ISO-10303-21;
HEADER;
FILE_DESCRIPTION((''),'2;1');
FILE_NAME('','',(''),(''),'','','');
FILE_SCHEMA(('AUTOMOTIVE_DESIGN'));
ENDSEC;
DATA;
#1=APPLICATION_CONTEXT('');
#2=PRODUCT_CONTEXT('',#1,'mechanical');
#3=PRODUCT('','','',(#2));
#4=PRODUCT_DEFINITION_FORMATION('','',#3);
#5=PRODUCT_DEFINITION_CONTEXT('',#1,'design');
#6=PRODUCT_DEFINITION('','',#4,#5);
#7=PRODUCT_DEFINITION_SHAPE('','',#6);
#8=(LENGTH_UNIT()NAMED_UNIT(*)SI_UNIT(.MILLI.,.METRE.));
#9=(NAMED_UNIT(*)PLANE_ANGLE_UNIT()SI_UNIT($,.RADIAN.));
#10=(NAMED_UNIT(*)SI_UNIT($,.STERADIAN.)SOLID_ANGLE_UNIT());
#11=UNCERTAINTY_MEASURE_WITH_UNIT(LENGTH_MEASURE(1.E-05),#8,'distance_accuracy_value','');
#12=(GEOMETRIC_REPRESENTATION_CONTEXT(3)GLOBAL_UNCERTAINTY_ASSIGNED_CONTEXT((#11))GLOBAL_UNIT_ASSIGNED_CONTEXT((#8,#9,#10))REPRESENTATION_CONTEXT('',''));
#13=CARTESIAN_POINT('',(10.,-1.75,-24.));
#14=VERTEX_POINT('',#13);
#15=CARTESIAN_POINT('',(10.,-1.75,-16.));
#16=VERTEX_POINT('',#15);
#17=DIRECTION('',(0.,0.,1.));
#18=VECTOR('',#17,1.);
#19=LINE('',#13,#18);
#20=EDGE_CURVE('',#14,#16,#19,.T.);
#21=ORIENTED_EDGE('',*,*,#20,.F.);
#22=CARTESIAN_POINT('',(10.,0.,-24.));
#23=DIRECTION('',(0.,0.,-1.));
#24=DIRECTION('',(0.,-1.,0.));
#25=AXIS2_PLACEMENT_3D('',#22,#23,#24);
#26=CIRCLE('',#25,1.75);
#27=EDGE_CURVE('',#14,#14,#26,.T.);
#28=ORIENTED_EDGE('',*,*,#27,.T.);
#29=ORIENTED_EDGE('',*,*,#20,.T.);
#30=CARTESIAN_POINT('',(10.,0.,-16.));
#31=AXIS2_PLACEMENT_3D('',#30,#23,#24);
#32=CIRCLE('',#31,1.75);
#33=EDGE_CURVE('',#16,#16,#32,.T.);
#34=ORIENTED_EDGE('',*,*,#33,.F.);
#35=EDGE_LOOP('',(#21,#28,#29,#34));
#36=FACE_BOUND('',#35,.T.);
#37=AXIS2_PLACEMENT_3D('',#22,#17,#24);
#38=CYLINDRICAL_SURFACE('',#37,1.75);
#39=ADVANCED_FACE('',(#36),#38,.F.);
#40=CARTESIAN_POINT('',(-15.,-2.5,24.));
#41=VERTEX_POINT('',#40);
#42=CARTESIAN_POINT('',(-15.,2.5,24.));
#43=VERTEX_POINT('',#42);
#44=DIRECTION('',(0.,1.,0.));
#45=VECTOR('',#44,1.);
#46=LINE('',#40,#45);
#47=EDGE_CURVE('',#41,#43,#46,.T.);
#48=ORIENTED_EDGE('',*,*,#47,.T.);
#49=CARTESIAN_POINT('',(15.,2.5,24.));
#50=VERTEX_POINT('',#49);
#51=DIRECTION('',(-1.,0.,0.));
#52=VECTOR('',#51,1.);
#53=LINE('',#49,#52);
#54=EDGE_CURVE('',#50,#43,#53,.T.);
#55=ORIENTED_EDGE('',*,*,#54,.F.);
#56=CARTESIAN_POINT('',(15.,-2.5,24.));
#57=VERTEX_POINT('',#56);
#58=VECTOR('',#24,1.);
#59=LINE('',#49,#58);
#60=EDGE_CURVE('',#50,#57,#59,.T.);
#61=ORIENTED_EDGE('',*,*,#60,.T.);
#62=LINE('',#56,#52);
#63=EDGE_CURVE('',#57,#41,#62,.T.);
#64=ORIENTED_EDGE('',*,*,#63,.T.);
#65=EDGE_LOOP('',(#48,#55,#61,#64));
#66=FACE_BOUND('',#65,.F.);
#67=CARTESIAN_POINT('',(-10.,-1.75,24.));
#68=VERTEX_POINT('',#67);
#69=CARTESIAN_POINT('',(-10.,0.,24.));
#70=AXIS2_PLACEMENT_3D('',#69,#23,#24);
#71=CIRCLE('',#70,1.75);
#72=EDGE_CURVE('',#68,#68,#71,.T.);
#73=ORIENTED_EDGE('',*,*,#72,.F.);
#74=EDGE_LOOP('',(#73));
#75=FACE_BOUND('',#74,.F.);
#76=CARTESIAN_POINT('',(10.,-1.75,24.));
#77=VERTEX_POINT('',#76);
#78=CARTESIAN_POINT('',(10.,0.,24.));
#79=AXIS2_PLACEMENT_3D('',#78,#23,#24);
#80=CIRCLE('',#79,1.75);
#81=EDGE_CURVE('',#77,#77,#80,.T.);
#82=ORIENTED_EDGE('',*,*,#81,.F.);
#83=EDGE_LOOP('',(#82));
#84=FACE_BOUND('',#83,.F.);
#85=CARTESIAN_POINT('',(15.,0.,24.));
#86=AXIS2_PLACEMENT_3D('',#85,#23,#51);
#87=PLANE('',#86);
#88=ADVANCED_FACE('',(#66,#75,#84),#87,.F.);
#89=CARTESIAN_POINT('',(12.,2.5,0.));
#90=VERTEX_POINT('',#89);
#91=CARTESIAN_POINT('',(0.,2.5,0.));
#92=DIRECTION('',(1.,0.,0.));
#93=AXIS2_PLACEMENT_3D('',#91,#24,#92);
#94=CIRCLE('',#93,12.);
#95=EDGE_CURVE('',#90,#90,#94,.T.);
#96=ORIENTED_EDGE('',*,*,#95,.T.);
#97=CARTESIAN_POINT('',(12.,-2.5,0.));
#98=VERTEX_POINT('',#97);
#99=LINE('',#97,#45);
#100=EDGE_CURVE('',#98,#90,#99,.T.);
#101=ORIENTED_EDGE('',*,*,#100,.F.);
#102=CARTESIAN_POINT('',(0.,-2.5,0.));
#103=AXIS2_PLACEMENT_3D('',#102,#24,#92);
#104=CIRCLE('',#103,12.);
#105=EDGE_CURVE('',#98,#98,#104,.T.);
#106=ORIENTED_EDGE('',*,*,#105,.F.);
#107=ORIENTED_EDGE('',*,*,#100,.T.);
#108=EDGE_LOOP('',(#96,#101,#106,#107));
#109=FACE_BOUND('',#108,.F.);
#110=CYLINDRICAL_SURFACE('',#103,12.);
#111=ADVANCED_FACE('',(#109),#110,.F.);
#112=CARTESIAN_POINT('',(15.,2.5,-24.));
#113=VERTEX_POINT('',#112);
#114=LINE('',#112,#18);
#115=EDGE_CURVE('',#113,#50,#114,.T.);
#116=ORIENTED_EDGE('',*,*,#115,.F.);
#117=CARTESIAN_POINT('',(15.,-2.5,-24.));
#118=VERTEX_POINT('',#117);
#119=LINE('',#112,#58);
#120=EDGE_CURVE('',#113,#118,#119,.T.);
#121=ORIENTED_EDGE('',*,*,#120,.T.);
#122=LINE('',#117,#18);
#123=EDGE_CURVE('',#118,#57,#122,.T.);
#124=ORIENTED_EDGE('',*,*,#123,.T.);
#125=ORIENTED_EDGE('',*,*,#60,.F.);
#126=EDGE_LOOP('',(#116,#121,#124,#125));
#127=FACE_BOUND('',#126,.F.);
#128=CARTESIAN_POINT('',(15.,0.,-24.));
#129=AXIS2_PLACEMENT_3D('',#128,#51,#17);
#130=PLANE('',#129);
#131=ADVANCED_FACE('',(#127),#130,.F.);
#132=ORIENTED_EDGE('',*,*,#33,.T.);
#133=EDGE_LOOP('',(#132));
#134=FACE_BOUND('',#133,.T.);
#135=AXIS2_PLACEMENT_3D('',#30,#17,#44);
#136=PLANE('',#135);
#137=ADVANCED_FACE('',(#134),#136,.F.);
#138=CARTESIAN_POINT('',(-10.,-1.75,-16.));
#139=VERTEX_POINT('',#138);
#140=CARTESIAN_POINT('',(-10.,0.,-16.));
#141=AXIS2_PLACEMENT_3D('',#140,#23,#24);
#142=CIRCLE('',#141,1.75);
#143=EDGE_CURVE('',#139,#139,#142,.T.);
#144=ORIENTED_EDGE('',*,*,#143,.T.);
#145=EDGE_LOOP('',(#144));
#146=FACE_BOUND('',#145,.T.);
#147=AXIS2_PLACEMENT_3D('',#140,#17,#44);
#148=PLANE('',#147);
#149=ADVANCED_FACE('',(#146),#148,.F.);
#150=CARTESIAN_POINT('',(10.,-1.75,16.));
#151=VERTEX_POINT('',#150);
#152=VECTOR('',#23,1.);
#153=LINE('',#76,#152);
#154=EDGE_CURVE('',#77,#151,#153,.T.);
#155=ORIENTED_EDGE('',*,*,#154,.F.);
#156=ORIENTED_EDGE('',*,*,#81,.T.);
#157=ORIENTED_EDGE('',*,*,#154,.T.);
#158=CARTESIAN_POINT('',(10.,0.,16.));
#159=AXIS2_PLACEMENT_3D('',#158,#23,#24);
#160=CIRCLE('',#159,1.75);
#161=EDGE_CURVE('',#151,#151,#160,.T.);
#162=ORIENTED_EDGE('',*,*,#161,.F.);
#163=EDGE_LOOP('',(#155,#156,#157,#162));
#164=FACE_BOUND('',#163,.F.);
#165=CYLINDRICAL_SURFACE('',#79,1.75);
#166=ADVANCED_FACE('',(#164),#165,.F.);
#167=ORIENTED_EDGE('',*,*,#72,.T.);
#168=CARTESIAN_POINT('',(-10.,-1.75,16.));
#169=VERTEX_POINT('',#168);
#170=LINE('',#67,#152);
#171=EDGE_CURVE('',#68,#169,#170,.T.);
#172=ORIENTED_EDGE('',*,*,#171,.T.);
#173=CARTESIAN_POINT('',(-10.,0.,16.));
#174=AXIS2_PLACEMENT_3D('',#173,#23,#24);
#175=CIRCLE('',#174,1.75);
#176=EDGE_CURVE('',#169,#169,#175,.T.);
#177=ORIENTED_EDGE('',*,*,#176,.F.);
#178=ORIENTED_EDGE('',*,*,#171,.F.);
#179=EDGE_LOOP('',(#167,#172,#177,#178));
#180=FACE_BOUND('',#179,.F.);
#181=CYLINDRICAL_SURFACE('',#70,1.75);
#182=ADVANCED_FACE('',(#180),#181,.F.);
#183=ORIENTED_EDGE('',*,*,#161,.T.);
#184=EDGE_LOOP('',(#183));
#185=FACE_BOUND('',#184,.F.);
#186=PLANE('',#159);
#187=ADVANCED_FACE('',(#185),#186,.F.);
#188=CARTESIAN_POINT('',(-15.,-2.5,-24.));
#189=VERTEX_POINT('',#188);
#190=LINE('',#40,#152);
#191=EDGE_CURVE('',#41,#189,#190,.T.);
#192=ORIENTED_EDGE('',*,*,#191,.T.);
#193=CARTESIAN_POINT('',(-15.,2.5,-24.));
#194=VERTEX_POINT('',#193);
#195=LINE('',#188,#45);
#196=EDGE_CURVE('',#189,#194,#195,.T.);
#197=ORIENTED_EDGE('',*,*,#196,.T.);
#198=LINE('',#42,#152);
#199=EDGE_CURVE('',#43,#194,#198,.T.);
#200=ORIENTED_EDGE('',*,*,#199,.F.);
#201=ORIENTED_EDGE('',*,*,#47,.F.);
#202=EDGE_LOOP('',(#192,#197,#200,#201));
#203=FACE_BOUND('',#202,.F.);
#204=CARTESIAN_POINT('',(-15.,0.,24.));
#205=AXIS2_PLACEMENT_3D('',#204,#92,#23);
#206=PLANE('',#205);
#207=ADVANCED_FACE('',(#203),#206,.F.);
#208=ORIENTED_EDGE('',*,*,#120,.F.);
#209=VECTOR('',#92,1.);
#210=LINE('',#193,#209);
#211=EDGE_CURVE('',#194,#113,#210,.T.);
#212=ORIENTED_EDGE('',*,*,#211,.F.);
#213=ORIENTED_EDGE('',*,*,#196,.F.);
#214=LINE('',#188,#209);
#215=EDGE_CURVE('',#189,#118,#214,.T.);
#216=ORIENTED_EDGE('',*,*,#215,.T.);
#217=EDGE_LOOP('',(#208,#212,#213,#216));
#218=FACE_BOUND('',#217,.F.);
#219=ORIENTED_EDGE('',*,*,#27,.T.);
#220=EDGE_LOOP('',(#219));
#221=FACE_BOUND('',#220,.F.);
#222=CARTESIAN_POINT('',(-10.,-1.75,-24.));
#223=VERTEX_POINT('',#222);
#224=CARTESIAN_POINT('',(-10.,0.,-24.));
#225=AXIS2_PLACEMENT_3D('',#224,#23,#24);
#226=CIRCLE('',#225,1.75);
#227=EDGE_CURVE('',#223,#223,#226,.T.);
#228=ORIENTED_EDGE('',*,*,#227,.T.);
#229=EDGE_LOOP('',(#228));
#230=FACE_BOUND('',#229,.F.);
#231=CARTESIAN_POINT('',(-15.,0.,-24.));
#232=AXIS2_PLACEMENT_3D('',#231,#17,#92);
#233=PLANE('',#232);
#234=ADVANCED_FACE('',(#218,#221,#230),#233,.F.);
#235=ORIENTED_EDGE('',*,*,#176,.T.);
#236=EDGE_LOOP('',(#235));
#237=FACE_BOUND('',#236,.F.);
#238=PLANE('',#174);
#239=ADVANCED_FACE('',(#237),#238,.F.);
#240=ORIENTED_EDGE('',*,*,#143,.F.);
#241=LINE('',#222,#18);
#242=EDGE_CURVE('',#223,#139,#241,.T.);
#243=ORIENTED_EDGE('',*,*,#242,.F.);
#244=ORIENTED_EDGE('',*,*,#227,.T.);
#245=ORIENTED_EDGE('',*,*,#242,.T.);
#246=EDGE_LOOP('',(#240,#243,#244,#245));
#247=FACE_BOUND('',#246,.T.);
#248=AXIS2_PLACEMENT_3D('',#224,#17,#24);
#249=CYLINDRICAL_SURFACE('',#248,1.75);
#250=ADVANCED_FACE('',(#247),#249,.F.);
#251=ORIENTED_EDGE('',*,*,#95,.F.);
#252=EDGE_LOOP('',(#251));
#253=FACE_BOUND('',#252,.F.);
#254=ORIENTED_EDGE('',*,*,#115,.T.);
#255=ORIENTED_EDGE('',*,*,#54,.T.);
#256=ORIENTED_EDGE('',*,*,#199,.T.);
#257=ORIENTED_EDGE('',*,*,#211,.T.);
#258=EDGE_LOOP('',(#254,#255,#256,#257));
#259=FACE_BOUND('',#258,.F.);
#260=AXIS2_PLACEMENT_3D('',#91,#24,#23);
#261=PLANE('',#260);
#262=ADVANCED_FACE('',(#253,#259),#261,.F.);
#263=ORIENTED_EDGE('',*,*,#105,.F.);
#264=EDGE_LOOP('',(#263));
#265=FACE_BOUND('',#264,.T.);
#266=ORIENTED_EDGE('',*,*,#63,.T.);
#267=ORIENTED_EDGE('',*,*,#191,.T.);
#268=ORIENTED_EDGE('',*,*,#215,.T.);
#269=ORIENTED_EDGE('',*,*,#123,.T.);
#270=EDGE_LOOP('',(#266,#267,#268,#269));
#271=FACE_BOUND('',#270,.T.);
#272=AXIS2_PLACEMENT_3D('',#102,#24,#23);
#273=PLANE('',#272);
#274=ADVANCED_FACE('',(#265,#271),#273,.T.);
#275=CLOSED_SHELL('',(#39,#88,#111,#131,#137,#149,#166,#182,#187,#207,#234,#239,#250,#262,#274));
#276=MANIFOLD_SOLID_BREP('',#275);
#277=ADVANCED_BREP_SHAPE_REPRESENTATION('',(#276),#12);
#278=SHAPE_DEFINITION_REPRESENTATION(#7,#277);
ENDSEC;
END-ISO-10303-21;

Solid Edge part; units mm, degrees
sketch "Sketch1" plane through (0, 0, 0) normal (0, -1, 0) x (1, 0, 0)
  line L0 (-15, -24) -> (15, -24)
  line L1 (15, -24) -> (15, 24)
  line L2 (15, 24) -> (-15, 24)
  line L3 (-15, 24) -> (-15, -24)
  dimension "D1" = 48
  dimension "D2" = 30
extrude "Protrusion1" add sketch "Sketch1" along normal mid plane 5
sketch "Sketch2" plane through (0, -2.5, 0) normal (0, -1, 0) x (1, 0, 0)
  circle A0 centre (0, 0) radius 12
  dimension "D1" = 24
extrude "Extrusionsausschnitt_1" cut sketch "Sketch2" against normal blind 310
hole "Bohrung_1" at (-10, 0, 24) direction (0, 0, -1) diameter 3.5 depth 8
hole "Hole1" at (10, 0, 24) direction (0, 0, -1) diameter 3.5 depth 8
mirror "Mirror1" about plane through (0, 0, 0) normal (0, 0, 1) of "Bohrung_1", "Hole1"
properties material "Aluminiumlegierung:3.0205, Al 99.0, EN-AW 1200"
